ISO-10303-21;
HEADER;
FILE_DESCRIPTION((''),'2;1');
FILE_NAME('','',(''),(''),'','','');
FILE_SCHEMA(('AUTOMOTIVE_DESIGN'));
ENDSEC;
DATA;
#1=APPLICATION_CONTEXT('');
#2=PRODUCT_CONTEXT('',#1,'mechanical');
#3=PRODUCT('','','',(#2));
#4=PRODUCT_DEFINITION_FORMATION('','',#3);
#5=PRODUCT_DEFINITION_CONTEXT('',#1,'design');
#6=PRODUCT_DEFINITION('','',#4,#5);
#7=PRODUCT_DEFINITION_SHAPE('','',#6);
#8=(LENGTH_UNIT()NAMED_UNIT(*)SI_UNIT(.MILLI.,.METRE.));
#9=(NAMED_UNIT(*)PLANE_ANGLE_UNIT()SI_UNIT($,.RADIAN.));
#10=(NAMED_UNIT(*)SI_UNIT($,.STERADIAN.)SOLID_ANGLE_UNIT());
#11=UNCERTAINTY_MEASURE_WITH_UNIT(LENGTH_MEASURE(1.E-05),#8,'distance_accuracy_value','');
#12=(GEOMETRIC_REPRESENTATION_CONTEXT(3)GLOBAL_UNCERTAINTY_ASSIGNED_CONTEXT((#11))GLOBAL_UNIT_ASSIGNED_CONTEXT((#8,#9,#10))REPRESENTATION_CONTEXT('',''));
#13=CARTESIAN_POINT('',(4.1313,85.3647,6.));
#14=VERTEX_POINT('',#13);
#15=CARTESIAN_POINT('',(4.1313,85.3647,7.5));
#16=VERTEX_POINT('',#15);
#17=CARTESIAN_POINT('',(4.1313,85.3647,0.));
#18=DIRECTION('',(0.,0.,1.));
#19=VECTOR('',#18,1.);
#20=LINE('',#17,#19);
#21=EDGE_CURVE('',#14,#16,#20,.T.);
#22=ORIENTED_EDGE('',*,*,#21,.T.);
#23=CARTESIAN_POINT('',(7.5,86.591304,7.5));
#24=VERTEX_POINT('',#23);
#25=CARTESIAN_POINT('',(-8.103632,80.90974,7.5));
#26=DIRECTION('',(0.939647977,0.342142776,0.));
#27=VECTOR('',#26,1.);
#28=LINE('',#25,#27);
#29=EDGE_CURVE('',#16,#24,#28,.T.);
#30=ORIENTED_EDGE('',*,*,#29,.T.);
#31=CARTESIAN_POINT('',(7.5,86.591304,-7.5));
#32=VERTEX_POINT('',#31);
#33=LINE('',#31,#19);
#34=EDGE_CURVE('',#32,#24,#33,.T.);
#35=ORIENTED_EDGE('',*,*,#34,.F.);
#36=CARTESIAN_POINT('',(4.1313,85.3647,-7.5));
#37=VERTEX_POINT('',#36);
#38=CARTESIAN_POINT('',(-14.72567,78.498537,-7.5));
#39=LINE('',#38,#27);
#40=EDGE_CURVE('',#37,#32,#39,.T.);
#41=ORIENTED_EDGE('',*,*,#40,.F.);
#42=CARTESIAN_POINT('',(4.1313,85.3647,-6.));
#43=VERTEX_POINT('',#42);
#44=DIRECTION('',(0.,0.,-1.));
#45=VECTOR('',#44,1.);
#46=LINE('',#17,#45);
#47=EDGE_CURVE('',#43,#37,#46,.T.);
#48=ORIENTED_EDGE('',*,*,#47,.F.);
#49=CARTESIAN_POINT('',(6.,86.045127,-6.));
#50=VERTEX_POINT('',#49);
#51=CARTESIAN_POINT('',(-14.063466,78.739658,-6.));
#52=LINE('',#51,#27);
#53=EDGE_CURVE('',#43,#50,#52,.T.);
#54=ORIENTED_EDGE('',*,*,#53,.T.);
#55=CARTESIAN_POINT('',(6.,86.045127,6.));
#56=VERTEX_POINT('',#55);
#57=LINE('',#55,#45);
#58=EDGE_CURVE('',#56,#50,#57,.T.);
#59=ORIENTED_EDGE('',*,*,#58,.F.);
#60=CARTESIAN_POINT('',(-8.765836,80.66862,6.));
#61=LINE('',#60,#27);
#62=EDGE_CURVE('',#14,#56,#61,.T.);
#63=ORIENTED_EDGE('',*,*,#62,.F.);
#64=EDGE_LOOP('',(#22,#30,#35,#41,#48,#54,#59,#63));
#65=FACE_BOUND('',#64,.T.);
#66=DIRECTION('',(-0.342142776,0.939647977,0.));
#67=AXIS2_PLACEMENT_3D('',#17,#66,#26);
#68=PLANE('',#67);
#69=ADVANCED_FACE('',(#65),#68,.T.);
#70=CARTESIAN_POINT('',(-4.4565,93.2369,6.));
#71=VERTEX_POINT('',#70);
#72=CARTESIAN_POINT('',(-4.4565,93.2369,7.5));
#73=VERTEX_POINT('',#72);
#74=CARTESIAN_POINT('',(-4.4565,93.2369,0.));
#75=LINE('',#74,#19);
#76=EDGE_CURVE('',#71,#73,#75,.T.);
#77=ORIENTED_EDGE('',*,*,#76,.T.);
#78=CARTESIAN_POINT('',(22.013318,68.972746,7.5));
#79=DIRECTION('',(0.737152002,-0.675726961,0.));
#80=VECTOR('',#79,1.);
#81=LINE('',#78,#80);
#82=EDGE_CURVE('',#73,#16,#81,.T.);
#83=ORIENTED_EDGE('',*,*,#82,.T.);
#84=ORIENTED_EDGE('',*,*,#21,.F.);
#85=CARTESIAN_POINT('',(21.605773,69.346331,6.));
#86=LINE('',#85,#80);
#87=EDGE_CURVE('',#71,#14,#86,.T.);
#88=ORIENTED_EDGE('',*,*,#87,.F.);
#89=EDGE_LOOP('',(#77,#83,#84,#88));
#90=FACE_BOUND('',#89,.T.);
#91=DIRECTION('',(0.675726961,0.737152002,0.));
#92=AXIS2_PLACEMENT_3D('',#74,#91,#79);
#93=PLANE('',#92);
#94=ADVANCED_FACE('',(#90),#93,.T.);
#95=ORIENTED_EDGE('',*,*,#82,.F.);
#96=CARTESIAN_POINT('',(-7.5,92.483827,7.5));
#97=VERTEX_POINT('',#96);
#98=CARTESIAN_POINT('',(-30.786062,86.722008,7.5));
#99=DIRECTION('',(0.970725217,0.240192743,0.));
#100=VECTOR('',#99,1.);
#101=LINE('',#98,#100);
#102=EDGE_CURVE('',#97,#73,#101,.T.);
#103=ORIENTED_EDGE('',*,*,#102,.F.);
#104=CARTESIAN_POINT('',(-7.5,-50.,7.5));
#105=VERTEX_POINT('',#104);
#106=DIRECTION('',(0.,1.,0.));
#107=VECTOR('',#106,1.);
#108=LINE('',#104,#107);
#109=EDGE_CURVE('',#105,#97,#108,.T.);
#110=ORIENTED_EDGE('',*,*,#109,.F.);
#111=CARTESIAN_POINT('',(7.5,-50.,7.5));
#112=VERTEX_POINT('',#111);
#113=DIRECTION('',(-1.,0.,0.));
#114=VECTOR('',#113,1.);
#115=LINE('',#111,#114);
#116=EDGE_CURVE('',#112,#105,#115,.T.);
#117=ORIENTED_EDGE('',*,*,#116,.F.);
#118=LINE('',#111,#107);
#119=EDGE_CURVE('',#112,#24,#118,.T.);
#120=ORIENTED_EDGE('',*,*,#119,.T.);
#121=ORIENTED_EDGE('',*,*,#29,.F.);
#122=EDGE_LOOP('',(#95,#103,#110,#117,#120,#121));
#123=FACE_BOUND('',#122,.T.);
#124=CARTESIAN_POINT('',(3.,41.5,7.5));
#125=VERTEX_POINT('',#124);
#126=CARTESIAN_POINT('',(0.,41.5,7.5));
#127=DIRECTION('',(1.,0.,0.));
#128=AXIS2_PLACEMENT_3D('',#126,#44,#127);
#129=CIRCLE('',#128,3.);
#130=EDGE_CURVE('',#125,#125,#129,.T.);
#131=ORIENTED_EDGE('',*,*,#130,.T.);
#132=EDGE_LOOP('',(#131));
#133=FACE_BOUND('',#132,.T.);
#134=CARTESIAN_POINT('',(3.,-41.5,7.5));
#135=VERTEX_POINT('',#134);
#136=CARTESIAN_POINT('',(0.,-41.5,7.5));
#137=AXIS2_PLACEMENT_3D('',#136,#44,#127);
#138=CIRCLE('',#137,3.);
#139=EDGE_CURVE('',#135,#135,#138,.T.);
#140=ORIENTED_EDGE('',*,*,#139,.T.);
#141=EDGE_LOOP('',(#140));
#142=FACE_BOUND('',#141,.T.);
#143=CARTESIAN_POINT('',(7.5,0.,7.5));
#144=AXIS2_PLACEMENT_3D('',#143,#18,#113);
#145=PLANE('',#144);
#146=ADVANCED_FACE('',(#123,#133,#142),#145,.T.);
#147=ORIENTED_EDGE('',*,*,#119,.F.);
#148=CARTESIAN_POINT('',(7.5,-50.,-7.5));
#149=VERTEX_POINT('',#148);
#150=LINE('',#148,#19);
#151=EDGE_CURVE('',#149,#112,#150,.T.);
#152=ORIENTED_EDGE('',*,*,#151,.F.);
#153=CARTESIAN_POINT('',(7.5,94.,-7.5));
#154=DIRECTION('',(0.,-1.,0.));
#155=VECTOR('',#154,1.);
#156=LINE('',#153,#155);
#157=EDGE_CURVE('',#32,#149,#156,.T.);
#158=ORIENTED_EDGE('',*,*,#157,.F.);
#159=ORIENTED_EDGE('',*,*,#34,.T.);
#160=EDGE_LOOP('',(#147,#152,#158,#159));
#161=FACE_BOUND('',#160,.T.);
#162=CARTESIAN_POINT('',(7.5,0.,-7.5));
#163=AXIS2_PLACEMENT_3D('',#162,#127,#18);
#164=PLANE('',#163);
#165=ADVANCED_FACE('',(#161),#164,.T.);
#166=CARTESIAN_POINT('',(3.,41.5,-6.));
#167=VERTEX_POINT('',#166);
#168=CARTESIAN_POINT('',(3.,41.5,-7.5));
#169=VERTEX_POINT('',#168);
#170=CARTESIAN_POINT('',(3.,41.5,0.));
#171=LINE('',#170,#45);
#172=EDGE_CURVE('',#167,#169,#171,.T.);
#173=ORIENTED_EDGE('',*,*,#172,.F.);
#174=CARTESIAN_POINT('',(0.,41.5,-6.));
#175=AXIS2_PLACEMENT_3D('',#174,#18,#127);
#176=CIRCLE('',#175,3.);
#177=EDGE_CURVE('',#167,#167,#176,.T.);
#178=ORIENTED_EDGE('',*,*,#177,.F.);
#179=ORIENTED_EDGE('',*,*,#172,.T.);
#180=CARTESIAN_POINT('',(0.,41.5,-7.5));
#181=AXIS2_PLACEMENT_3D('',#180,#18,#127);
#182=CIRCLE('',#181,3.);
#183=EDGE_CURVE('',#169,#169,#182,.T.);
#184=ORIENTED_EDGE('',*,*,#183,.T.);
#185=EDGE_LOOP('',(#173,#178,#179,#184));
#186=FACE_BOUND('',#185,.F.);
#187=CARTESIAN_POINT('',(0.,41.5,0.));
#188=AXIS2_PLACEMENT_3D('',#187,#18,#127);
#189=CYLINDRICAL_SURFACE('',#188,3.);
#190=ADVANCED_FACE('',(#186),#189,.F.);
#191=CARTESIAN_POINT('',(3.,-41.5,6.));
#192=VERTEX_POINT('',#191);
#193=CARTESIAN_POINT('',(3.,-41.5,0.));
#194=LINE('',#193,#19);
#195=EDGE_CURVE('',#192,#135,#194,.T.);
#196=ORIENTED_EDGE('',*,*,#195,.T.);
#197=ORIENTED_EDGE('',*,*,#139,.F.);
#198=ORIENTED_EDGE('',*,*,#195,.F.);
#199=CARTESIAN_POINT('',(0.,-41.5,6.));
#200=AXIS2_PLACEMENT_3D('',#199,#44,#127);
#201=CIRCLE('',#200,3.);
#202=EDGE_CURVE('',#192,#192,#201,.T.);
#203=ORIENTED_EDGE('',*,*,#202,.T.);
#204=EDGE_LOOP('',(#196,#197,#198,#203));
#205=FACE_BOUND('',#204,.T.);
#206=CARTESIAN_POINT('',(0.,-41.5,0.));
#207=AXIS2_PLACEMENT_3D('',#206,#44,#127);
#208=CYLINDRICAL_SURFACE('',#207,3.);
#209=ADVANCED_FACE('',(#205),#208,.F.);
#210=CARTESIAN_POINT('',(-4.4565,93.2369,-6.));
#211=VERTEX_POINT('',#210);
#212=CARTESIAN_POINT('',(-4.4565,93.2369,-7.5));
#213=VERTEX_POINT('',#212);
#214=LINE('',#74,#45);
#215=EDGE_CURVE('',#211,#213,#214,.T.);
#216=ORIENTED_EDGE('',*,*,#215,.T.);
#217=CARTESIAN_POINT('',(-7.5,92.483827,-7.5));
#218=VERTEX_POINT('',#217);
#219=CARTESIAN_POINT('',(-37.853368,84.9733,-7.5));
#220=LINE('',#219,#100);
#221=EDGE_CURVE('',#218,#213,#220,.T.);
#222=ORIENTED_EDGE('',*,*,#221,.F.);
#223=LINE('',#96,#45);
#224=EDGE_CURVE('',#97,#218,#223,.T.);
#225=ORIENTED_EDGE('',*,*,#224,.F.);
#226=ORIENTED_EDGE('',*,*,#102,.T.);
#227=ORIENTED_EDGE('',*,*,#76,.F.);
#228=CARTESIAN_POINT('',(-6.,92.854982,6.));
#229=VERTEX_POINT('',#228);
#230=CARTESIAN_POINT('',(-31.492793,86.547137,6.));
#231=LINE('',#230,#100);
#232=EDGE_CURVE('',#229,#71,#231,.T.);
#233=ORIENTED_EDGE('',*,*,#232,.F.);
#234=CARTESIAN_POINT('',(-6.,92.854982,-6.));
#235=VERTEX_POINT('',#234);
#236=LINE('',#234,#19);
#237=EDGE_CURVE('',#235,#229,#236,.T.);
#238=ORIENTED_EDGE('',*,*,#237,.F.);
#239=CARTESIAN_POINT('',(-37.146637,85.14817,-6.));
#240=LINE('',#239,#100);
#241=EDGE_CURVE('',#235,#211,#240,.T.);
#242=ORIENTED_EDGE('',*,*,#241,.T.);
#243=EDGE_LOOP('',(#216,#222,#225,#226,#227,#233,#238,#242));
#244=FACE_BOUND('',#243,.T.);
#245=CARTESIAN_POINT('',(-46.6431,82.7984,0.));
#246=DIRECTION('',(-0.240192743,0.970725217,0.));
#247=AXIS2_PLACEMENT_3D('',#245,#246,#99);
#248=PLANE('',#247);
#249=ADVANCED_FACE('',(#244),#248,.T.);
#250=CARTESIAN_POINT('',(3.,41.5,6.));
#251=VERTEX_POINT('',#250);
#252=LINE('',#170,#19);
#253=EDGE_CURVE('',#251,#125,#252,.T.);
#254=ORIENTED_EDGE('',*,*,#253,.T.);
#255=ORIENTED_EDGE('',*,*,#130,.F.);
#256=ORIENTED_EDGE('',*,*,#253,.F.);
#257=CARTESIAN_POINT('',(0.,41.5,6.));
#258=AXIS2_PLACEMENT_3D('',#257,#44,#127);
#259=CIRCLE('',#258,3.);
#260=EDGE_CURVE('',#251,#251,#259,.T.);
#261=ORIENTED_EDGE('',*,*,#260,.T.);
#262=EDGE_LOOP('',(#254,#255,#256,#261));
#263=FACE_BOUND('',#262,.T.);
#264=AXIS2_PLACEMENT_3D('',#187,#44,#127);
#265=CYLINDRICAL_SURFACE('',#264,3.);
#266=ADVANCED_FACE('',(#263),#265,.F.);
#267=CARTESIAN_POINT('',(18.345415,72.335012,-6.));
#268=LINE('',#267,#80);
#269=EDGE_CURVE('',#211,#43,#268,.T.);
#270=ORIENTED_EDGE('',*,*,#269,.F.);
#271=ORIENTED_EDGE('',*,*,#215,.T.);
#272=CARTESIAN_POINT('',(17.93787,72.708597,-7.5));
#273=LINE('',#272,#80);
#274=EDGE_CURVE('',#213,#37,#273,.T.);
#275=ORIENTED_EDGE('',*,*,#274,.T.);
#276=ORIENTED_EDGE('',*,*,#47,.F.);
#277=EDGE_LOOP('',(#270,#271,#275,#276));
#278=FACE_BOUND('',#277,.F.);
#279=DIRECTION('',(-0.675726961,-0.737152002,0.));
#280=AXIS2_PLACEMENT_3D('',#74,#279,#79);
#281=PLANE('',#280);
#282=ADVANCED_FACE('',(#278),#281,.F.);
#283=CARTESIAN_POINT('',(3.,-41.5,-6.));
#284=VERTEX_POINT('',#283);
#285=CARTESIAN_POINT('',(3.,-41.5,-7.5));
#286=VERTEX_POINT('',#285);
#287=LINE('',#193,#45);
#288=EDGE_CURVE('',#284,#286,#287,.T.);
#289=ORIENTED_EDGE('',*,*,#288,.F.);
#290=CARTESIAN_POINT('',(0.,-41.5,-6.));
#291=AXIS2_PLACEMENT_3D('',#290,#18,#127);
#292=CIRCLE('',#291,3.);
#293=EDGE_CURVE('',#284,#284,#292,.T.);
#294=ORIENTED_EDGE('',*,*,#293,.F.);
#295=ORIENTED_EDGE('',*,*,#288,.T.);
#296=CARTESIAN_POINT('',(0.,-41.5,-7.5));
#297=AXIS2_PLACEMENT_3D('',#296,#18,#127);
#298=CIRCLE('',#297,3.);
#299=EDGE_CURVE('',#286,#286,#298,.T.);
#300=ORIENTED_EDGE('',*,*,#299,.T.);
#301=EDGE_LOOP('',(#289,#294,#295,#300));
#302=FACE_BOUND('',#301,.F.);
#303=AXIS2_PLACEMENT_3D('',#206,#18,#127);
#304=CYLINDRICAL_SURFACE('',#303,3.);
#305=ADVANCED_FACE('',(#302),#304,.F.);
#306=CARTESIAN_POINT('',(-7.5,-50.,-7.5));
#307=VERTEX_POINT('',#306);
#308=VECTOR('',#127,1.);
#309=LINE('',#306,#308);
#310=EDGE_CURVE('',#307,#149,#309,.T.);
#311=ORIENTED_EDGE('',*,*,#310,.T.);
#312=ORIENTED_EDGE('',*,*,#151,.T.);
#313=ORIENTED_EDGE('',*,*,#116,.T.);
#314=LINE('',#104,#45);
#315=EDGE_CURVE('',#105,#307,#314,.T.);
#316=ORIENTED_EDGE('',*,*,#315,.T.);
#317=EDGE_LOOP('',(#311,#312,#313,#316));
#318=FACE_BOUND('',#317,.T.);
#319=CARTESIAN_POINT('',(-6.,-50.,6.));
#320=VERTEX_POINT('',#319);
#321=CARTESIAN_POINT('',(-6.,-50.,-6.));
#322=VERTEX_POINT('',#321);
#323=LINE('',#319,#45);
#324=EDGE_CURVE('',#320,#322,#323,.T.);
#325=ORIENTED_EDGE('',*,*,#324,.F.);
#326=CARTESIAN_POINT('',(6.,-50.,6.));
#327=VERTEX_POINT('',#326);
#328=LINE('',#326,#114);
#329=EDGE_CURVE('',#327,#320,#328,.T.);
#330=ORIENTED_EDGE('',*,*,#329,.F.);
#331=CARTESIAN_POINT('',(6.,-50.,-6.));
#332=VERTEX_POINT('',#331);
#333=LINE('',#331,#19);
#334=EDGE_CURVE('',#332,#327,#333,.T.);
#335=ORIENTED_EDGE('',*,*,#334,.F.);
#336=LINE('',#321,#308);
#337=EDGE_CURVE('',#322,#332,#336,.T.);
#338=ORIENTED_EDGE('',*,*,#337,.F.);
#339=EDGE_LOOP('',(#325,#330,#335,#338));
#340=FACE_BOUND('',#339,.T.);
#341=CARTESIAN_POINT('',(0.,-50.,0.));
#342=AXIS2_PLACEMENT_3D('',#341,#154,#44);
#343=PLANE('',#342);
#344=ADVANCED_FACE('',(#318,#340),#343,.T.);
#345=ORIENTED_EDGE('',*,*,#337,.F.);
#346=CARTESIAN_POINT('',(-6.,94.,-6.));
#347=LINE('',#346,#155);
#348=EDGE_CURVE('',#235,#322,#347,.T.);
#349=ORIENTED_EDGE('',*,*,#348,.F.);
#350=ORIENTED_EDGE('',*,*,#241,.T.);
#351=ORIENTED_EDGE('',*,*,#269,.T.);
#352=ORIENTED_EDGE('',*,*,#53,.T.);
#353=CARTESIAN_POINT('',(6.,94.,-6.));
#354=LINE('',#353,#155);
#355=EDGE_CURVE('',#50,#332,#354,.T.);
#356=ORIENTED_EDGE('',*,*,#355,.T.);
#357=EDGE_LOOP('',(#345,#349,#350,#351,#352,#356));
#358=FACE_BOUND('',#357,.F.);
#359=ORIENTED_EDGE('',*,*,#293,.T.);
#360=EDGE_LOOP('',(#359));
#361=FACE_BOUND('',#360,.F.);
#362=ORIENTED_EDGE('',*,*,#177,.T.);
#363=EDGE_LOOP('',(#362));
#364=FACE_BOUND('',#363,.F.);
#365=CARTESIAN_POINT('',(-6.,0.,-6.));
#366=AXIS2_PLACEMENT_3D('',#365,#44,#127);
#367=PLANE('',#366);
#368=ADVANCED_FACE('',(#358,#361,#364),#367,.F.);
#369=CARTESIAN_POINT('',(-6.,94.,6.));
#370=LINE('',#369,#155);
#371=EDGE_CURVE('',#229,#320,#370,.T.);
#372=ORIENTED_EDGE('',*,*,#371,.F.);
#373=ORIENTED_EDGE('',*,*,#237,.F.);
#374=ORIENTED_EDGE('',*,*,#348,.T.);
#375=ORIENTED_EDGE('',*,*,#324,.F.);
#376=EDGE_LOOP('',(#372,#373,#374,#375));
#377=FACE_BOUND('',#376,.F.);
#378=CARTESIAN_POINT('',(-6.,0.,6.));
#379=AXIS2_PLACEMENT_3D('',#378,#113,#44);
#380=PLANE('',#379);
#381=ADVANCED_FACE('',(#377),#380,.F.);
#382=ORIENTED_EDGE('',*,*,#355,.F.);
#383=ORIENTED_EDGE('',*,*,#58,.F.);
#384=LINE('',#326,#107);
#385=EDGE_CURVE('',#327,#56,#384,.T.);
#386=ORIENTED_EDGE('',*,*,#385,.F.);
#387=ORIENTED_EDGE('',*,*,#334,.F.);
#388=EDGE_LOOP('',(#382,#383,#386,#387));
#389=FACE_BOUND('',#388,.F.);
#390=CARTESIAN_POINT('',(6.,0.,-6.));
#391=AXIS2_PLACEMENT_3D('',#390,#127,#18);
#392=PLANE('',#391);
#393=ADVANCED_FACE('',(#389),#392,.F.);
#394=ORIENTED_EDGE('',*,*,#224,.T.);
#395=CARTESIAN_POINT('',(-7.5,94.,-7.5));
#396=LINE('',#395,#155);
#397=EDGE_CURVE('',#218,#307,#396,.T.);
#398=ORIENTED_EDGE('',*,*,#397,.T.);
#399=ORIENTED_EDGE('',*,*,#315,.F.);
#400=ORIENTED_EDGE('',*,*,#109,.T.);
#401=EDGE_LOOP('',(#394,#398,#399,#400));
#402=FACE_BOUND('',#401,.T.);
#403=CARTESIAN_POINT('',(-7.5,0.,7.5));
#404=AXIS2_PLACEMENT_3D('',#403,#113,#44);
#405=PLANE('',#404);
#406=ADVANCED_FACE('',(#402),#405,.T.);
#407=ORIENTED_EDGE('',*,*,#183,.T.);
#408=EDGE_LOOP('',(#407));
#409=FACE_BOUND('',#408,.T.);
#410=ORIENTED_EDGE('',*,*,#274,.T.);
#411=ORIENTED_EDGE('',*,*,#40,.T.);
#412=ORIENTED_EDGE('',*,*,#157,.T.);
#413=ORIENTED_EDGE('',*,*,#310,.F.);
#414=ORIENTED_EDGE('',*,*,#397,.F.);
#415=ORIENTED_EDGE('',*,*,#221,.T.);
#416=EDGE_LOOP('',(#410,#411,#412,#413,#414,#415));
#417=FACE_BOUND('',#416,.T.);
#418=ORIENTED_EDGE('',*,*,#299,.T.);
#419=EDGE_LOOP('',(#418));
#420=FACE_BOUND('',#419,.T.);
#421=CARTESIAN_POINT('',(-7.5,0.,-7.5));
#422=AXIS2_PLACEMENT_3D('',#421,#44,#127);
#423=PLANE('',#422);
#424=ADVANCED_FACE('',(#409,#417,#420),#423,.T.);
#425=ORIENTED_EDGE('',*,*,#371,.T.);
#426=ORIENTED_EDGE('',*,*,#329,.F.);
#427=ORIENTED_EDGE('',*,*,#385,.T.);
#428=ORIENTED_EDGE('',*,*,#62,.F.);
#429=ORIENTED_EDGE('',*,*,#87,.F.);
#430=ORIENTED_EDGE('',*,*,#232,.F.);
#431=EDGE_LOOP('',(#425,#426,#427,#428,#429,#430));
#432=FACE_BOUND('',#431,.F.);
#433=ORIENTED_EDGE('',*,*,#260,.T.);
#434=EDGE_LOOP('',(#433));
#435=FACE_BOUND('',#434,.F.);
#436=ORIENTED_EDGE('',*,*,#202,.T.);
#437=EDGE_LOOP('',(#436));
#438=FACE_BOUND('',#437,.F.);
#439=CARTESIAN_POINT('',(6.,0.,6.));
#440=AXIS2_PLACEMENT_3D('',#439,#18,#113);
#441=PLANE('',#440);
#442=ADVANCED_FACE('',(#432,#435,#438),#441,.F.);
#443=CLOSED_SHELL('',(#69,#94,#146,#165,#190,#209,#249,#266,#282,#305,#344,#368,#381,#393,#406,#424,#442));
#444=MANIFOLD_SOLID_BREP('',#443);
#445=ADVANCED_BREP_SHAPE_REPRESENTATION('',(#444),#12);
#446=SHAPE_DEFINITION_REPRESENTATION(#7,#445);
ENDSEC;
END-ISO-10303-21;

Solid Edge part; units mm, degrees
sketch "Sketch1" plane through (0, 0, 0) normal (0, -1, 0) x (1, 0, 0)
  line L0 (-6, 6) -> (-6, -6)
  line L1 (-6, -6) -> (6, -6)
  line L2 (6, -6) -> (6, 6)
  line L3 (6, 6) -> (-6, 6)
  line L4 (-7.5, 7.5) -> (-7.5, -7.5)
  line L5 (-7.5, -7.5) -> (7.5, -7.5)
  line L6 (7.5, -7.5) -> (7.5, 7.5)
  line L7 (7.5, 7.5) -> (-7.5, 7.5)
  dimension "D1" = 15
  dimension "D2" = 12
extrude "ExtrudedProtrusion_1" add sketch "Sketch1" against normal blind 94 and the other way blind 50
sketch "Sketch2" plane through (0, 0, 0) normal (0, 0, 1) x (1, 0, 0)
  circle A0 centre (0, 41.5) radius 3
  circle A1 centre (0, -41.5) radius 3
  dimension "D1" = 6
  dimension "D2" = 83
extrude "Cutout1" cut sketch "Sketch2" along normal up to next and the other way up to next
sketch "Sketch3" plane through (0, 0, 0) normal (0, 0, 1) x (1, 0, 0)
  line L0 (-46.6431, 82.7984) -> (-4.4565, 93.2369)
  line L1 (-4.4565, 93.2369) -> (4.1313, 85.3647)
  line L2 (4.1313, 85.3647) -> (32.2719, 95.6112)
extrude "Cutout2" cut sketch "Sketch3" along normal up to next and the other way up to next material side at (-25.5618, 88.0662, 0)
